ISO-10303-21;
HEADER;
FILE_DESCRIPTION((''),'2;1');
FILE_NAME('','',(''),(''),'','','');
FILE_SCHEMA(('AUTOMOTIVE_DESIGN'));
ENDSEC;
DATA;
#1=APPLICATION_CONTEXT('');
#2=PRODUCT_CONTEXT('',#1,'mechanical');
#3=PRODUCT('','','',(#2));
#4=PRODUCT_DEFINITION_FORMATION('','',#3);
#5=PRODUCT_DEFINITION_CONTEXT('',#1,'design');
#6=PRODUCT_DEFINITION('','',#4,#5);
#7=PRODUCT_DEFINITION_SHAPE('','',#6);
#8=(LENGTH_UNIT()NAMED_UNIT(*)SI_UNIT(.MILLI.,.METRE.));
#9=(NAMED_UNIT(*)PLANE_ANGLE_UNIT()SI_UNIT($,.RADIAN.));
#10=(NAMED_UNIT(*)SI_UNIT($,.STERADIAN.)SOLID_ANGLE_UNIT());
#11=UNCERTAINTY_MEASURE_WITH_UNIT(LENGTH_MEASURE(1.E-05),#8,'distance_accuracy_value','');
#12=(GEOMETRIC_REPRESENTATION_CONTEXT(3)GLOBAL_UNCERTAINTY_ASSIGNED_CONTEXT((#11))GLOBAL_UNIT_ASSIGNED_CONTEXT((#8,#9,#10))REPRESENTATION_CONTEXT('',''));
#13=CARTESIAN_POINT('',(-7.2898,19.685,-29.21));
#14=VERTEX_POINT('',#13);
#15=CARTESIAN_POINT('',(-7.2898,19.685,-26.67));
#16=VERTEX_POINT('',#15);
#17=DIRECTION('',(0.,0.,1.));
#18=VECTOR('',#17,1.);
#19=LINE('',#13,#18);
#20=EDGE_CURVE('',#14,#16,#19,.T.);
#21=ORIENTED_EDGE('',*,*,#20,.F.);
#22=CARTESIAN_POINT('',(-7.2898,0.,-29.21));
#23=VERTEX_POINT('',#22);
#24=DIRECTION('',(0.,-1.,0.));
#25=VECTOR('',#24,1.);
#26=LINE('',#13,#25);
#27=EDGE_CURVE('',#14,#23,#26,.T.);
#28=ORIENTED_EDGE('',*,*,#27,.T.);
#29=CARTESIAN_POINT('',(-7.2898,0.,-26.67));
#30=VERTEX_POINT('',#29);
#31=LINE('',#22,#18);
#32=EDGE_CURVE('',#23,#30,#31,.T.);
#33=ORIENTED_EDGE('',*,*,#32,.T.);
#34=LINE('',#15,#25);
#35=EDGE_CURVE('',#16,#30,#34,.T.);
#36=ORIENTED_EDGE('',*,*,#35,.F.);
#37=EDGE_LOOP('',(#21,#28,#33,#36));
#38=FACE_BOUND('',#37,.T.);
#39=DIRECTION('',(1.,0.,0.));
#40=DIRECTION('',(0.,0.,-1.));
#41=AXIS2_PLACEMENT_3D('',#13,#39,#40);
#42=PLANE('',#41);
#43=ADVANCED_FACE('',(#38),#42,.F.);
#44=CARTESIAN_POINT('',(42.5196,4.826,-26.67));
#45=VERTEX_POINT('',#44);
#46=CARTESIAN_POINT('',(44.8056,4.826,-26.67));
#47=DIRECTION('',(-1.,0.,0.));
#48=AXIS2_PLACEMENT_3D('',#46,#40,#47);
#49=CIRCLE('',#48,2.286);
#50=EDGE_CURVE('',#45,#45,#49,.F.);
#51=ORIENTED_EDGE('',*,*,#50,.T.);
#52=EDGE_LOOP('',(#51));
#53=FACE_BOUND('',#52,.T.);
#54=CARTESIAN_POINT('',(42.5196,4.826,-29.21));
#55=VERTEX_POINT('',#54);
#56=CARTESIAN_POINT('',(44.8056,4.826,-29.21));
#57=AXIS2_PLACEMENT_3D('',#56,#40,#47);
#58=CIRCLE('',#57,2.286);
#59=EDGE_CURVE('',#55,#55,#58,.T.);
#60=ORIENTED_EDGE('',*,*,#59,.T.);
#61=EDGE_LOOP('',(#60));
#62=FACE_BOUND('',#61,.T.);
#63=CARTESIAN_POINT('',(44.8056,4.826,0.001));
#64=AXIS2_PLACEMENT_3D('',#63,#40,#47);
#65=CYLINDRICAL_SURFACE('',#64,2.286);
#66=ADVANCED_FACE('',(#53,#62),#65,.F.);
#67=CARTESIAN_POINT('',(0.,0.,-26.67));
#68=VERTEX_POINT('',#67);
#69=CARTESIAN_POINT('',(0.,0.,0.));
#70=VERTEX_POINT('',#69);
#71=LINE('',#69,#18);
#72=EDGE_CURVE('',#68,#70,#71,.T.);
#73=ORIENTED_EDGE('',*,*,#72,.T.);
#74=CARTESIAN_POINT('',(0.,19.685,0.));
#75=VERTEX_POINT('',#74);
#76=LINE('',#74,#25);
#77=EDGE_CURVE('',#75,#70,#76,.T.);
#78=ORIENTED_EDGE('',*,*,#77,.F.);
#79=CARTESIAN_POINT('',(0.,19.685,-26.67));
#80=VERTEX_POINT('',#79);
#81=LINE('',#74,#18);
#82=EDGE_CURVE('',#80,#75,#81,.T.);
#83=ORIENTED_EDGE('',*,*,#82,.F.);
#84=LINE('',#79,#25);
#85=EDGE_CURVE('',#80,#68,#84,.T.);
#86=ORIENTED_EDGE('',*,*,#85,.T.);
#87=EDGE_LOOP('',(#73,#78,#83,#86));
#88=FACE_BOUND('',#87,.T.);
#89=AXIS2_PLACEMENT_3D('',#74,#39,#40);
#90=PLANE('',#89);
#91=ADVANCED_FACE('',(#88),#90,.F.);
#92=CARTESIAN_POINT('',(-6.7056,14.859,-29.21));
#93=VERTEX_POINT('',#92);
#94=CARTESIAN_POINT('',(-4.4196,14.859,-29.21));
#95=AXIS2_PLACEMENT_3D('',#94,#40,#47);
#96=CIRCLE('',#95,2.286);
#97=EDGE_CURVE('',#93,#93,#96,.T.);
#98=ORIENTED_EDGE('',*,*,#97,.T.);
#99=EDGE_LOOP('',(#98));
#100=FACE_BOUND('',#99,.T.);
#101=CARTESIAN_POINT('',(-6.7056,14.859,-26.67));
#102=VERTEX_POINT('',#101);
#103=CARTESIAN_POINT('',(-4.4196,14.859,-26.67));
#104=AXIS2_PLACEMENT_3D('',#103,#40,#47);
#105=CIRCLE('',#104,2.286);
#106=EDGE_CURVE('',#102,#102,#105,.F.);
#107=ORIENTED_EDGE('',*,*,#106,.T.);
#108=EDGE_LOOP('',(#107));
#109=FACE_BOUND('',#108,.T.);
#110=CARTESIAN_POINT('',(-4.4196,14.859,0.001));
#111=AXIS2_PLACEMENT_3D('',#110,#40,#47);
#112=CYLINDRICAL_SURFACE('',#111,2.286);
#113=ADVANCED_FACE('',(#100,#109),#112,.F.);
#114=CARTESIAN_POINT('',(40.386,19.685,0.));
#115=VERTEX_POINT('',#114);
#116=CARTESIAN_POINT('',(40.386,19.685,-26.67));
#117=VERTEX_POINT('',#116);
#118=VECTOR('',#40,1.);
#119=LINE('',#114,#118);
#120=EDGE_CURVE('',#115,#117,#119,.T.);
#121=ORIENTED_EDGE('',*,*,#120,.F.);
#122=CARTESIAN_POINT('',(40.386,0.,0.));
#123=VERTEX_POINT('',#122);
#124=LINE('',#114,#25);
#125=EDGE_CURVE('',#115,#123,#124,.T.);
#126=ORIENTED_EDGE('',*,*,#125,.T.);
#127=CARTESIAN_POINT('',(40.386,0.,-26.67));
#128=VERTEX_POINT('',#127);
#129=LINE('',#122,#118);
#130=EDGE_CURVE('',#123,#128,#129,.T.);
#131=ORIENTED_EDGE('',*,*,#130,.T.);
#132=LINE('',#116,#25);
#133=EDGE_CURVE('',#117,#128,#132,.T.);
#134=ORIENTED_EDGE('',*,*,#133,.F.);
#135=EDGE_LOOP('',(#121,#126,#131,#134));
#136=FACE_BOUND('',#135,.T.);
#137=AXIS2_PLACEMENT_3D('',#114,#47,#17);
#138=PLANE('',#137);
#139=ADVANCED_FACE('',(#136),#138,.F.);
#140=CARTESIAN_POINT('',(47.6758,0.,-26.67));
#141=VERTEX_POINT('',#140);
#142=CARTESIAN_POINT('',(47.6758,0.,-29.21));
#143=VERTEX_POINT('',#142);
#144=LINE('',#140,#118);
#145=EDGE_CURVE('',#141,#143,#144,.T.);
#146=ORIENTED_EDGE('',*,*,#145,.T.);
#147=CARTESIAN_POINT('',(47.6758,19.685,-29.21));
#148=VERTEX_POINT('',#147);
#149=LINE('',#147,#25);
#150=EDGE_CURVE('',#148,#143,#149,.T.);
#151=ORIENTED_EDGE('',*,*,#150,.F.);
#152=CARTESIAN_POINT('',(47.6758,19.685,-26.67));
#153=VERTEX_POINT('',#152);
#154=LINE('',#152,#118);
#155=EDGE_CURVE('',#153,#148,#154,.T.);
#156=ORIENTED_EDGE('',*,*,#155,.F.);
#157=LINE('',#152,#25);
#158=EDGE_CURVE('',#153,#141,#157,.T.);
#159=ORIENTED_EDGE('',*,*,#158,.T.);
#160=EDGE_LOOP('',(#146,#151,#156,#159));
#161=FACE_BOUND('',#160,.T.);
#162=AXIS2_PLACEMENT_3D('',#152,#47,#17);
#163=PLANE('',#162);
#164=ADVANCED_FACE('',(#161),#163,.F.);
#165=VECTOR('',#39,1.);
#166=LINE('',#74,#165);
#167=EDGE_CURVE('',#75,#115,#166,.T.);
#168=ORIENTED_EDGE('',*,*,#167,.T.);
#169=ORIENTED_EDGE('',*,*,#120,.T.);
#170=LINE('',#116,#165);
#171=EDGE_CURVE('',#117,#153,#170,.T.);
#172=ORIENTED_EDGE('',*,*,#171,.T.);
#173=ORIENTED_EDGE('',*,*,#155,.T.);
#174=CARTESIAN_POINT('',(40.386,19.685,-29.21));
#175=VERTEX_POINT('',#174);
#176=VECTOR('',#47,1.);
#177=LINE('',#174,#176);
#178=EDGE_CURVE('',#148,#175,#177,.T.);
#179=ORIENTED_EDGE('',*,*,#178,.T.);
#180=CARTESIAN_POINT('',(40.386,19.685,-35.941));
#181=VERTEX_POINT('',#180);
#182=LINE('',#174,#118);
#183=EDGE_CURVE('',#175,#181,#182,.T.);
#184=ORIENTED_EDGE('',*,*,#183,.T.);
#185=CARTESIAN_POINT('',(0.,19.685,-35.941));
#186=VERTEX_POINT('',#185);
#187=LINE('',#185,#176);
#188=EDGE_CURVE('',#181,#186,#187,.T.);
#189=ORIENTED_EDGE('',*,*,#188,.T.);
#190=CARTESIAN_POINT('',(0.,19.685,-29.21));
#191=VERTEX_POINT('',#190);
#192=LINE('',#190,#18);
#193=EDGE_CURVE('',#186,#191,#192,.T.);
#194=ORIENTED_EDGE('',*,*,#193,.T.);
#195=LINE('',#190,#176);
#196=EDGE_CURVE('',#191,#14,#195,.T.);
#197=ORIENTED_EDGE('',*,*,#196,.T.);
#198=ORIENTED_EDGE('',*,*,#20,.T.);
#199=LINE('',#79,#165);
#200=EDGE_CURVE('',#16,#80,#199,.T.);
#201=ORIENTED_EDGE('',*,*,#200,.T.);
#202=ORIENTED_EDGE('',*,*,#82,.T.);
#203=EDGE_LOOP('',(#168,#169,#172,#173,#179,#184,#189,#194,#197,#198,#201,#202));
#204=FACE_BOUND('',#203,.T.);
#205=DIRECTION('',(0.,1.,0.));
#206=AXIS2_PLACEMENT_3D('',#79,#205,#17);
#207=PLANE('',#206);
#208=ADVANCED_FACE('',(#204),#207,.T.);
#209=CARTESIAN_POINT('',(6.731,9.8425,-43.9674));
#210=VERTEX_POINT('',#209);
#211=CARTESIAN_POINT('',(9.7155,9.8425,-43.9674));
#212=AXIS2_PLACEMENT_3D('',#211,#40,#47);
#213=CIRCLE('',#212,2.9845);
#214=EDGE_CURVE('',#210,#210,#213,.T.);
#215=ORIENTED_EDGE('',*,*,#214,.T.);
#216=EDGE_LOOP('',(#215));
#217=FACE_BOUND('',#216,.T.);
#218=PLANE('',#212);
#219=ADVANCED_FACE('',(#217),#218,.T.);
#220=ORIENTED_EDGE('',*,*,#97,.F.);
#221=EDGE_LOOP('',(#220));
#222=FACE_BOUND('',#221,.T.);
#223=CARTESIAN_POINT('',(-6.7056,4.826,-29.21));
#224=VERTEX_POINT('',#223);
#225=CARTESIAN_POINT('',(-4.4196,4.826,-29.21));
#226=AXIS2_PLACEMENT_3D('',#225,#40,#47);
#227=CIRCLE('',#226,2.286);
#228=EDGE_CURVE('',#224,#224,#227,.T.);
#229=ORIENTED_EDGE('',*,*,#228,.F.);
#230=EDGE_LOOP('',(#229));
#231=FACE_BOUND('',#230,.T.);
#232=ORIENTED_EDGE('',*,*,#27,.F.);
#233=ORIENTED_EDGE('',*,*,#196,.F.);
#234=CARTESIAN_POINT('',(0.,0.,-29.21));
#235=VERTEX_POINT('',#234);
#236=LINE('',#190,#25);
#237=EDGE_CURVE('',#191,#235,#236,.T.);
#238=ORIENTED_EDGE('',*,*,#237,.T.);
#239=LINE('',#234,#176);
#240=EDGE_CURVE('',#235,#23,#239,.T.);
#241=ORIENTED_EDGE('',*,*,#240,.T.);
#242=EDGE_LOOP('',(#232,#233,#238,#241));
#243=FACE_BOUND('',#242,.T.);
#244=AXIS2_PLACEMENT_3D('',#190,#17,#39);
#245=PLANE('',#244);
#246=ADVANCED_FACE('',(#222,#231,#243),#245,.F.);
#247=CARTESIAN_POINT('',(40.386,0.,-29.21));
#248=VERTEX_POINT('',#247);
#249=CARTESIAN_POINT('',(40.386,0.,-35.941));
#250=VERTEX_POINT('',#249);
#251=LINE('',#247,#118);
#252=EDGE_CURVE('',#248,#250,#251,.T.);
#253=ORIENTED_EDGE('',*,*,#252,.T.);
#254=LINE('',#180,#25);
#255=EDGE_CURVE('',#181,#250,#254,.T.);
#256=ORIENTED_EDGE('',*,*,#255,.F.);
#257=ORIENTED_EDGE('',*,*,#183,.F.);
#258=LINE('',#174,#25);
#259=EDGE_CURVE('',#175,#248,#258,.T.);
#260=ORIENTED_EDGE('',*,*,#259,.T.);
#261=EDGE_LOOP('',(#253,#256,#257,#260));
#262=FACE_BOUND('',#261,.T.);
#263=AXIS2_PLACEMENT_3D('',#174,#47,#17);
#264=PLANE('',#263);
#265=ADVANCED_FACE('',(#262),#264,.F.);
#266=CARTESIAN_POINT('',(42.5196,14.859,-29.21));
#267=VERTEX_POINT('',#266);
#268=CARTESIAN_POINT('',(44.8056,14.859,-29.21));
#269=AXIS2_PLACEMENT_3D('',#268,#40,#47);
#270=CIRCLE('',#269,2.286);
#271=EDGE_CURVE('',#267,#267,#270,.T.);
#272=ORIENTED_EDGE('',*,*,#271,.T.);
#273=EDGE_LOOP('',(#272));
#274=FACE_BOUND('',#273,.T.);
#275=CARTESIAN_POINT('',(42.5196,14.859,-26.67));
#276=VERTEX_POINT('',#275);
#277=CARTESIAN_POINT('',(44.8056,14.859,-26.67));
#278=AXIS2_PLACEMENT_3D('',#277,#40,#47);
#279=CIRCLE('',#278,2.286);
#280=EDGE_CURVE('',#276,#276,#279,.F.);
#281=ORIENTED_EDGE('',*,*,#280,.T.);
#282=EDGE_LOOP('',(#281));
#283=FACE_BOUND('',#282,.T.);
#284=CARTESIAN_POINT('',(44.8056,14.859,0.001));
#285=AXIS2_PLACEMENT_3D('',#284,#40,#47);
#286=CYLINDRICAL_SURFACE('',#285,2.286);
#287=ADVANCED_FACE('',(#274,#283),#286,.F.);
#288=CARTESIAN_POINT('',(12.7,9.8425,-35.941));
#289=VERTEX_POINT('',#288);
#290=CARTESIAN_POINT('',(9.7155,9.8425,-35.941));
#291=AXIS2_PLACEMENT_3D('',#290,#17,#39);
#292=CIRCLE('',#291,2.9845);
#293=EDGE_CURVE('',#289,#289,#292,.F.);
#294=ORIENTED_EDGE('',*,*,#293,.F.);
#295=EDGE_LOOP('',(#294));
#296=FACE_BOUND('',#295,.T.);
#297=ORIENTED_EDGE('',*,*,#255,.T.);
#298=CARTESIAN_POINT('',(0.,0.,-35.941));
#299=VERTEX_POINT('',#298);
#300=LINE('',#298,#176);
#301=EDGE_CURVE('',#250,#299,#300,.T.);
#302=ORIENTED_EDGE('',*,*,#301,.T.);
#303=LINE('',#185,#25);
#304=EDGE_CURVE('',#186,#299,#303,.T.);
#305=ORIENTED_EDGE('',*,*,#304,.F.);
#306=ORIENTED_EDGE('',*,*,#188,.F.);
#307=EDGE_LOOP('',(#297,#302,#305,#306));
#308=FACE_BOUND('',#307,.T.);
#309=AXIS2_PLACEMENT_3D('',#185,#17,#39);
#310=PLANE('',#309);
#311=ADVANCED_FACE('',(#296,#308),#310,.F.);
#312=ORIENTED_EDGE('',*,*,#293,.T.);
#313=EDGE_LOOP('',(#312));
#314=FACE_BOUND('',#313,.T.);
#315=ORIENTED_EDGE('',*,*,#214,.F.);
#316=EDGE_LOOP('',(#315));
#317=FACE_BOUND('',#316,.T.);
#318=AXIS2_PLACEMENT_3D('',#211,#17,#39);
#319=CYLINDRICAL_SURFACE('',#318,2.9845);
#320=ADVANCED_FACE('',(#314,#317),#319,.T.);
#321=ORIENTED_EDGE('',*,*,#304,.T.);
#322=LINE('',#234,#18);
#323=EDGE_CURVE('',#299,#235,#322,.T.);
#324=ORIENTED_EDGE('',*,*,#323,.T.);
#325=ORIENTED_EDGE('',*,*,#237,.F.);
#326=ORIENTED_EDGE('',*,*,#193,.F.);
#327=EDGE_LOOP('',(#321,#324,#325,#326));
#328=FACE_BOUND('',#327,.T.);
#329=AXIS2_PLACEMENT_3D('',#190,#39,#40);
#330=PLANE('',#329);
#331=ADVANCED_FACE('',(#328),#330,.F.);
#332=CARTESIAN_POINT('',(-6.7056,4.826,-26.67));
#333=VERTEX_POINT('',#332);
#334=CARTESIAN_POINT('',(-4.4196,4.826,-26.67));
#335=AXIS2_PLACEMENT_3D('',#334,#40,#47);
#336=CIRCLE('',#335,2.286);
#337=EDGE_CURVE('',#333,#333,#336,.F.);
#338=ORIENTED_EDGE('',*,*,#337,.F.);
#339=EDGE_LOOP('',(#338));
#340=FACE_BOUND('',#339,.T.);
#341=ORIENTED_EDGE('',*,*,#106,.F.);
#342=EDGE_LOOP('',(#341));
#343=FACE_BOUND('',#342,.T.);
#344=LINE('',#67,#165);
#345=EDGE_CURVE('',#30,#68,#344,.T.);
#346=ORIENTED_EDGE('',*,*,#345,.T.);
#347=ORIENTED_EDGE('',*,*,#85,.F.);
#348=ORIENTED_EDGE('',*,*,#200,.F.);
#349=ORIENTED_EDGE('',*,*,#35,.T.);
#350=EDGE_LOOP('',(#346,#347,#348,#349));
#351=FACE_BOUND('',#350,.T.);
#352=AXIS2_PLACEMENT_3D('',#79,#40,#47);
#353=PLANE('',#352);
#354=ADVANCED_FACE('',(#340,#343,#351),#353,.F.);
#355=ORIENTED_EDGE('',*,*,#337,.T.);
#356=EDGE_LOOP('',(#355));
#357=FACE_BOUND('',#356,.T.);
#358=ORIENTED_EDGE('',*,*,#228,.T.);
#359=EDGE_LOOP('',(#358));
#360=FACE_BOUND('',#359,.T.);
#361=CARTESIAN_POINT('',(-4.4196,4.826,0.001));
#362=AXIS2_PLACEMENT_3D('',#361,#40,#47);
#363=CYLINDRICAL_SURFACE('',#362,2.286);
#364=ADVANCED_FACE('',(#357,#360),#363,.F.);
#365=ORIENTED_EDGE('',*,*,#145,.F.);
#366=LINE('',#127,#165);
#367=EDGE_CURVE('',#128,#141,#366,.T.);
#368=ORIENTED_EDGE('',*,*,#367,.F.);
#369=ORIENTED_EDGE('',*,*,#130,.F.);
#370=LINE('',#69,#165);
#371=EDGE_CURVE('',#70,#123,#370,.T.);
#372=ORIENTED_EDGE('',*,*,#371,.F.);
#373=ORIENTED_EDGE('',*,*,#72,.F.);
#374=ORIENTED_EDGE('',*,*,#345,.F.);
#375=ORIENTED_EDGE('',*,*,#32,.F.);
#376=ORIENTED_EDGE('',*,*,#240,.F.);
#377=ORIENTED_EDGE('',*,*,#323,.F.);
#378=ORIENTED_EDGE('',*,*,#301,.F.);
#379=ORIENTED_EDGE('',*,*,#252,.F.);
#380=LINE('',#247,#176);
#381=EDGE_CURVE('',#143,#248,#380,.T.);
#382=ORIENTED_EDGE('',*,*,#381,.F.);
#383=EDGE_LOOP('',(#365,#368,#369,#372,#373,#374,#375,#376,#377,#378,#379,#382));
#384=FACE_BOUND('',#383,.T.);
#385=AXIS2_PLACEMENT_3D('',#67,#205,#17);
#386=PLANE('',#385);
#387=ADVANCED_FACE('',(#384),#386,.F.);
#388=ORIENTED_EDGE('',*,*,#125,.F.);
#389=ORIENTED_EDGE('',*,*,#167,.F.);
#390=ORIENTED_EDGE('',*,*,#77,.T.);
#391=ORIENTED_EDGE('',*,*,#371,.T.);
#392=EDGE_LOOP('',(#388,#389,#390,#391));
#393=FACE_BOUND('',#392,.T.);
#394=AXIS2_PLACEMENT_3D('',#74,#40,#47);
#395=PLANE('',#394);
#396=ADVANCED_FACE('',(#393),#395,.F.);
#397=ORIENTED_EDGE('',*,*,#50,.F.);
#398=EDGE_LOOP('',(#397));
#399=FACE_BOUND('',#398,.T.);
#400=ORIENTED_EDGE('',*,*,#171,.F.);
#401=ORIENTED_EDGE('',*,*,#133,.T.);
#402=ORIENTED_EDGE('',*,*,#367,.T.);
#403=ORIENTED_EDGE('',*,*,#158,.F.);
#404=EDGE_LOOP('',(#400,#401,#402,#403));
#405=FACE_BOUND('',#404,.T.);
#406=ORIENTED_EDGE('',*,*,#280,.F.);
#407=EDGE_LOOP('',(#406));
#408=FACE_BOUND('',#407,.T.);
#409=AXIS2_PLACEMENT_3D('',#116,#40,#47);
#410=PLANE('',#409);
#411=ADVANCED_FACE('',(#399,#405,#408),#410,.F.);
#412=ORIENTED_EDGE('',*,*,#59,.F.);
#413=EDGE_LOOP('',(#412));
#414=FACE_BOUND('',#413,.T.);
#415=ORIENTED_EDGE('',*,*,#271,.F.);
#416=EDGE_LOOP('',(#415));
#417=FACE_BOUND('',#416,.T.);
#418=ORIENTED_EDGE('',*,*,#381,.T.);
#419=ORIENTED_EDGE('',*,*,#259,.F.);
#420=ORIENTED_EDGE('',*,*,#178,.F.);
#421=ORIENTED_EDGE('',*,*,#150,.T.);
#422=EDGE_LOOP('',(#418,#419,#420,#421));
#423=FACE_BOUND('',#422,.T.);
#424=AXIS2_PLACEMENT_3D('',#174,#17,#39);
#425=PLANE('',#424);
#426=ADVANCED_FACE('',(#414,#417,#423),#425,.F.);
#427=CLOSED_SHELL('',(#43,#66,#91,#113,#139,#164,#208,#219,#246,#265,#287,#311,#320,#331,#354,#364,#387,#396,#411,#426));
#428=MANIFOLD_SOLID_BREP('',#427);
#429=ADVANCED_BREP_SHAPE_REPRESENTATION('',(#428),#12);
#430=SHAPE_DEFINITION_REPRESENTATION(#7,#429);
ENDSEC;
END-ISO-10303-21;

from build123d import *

# Parameters (mm, degrees)
BOSS_EXTRUDE1_DEPTH = 19.685
SKETCH3_R           = 2.9845
BOSS_EXTRUDE2_DEPTH = 8.0264
CUT_EXTRUDE1_REACH  = 31.21
SKETCH4_R           = 2.286


with BuildPart() as part:
    # Sketch1 → Boss-Extrude1 (new body)
    with BuildSketch(Plane(origin=(0, 0, 0), x_dir=(1, 0, 0), z_dir=(0, 1, 0))):
        Polygon((0, 29.21), (0, 35.941), (40.386, 35.941), (40.386, 29.21), (47.6758, 29.21), (47.6758, 26.67), (40.386, 26.67), (40.386, 0), (0, 0), (0, 26.67), (-7.2898, 26.67), (-7.2898, 29.21), align=None)
    extrude(amount=BOSS_EXTRUDE1_DEPTH)

    # Sketch3 → Boss-Extrude2 (add)
    with BuildSketch(Plane(origin=(0, 0, -35.941), x_dir=(-1, 0, 0), z_dir=(0, 0, -1))):
        with Locations((-9.7155, 9.8425)):
            Circle(SKETCH3_R)
    extrude(amount=BOSS_EXTRUDE2_DEPTH)

    # Sketch4 → Cut-Extrude1 (cut, up to next)
    with BuildSketch(Plane(origin=(0, 0, -29.21), x_dir=(-1, 0, 0), z_dir=(0, 0, -1)), mode=Mode.PRIVATE) as cut_extrude1_sk1:
        with Locations((-44.8056, 14.859)):
            Circle(SKETCH4_R)
    cut_extrude1_tool1 = extrude(cut_extrude1_sk1.sketch, amount=-CUT_EXTRUDE1_REACH, mode=Mode.PRIVATE) & part.part
    add(cut_extrude1_tool1.solids().sort_by_distance((44.8056, 14.859, -29.21))[0], mode=Mode.SUBTRACT)
    # Sketch4 → Cut-Extrude1 (cut, up to next)
    with BuildSketch(Plane(origin=(0, 0, -29.21), x_dir=(-1, 0, 0), z_dir=(0, 0, -1)), mode=Mode.PRIVATE) as cut_extrude1_sk2:
        with Locations((-44.8056, 4.826)):
            Circle(SKETCH4_R)
    cut_extrude1_tool2 = extrude(cut_extrude1_sk2.sketch, amount=-CUT_EXTRUDE1_REACH, mode=Mode.PRIVATE) & part.part
    add(cut_extrude1_tool2.solids().sort_by_distance((44.8056, 4.826, -29.21))[0], mode=Mode.SUBTRACT)
    # Sketch4 → Cut-Extrude1 (cut, up to next)
    with BuildSketch(Plane(origin=(0, 0, -29.21), x_dir=(-1, 0, 0), z_dir=(0, 0, -1)), mode=Mode.PRIVATE) as cut_extrude1_sk3:
        with Locations((4.4196, 14.859)):
            Circle(SKETCH4_R)
    cut_extrude1_tool3 = extrude(cut_extrude1_sk3.sketch, amount=-CUT_EXTRUDE1_REACH, mode=Mode.PRIVATE) & part.part
    add(cut_extrude1_tool3.solids().sort_by_distance((-4.4196, 14.859, -29.21))[0], mode=Mode.SUBTRACT)
    # Sketch4 → Cut-Extrude1 (cut, up to next)
    with BuildSketch(Plane(origin=(0, 0, -29.21), x_dir=(-1, 0, 0), z_dir=(0, 0, -1)), mode=Mode.PRIVATE) as cut_extrude1_sk4:
        with Locations((4.4196, 4.826)):
            Circle(SKETCH4_R)
    cut_extrude1_tool4 = extrude(cut_extrude1_sk4.sketch, amount=-CUT_EXTRUDE1_REACH, mode=Mode.PRIVATE) & part.part
    add(cut_extrude1_tool4.solids().sort_by_distance((-4.4196, 4.826, -29.21))[0], mode=Mode.SUBTRACT)


solid = part.part
